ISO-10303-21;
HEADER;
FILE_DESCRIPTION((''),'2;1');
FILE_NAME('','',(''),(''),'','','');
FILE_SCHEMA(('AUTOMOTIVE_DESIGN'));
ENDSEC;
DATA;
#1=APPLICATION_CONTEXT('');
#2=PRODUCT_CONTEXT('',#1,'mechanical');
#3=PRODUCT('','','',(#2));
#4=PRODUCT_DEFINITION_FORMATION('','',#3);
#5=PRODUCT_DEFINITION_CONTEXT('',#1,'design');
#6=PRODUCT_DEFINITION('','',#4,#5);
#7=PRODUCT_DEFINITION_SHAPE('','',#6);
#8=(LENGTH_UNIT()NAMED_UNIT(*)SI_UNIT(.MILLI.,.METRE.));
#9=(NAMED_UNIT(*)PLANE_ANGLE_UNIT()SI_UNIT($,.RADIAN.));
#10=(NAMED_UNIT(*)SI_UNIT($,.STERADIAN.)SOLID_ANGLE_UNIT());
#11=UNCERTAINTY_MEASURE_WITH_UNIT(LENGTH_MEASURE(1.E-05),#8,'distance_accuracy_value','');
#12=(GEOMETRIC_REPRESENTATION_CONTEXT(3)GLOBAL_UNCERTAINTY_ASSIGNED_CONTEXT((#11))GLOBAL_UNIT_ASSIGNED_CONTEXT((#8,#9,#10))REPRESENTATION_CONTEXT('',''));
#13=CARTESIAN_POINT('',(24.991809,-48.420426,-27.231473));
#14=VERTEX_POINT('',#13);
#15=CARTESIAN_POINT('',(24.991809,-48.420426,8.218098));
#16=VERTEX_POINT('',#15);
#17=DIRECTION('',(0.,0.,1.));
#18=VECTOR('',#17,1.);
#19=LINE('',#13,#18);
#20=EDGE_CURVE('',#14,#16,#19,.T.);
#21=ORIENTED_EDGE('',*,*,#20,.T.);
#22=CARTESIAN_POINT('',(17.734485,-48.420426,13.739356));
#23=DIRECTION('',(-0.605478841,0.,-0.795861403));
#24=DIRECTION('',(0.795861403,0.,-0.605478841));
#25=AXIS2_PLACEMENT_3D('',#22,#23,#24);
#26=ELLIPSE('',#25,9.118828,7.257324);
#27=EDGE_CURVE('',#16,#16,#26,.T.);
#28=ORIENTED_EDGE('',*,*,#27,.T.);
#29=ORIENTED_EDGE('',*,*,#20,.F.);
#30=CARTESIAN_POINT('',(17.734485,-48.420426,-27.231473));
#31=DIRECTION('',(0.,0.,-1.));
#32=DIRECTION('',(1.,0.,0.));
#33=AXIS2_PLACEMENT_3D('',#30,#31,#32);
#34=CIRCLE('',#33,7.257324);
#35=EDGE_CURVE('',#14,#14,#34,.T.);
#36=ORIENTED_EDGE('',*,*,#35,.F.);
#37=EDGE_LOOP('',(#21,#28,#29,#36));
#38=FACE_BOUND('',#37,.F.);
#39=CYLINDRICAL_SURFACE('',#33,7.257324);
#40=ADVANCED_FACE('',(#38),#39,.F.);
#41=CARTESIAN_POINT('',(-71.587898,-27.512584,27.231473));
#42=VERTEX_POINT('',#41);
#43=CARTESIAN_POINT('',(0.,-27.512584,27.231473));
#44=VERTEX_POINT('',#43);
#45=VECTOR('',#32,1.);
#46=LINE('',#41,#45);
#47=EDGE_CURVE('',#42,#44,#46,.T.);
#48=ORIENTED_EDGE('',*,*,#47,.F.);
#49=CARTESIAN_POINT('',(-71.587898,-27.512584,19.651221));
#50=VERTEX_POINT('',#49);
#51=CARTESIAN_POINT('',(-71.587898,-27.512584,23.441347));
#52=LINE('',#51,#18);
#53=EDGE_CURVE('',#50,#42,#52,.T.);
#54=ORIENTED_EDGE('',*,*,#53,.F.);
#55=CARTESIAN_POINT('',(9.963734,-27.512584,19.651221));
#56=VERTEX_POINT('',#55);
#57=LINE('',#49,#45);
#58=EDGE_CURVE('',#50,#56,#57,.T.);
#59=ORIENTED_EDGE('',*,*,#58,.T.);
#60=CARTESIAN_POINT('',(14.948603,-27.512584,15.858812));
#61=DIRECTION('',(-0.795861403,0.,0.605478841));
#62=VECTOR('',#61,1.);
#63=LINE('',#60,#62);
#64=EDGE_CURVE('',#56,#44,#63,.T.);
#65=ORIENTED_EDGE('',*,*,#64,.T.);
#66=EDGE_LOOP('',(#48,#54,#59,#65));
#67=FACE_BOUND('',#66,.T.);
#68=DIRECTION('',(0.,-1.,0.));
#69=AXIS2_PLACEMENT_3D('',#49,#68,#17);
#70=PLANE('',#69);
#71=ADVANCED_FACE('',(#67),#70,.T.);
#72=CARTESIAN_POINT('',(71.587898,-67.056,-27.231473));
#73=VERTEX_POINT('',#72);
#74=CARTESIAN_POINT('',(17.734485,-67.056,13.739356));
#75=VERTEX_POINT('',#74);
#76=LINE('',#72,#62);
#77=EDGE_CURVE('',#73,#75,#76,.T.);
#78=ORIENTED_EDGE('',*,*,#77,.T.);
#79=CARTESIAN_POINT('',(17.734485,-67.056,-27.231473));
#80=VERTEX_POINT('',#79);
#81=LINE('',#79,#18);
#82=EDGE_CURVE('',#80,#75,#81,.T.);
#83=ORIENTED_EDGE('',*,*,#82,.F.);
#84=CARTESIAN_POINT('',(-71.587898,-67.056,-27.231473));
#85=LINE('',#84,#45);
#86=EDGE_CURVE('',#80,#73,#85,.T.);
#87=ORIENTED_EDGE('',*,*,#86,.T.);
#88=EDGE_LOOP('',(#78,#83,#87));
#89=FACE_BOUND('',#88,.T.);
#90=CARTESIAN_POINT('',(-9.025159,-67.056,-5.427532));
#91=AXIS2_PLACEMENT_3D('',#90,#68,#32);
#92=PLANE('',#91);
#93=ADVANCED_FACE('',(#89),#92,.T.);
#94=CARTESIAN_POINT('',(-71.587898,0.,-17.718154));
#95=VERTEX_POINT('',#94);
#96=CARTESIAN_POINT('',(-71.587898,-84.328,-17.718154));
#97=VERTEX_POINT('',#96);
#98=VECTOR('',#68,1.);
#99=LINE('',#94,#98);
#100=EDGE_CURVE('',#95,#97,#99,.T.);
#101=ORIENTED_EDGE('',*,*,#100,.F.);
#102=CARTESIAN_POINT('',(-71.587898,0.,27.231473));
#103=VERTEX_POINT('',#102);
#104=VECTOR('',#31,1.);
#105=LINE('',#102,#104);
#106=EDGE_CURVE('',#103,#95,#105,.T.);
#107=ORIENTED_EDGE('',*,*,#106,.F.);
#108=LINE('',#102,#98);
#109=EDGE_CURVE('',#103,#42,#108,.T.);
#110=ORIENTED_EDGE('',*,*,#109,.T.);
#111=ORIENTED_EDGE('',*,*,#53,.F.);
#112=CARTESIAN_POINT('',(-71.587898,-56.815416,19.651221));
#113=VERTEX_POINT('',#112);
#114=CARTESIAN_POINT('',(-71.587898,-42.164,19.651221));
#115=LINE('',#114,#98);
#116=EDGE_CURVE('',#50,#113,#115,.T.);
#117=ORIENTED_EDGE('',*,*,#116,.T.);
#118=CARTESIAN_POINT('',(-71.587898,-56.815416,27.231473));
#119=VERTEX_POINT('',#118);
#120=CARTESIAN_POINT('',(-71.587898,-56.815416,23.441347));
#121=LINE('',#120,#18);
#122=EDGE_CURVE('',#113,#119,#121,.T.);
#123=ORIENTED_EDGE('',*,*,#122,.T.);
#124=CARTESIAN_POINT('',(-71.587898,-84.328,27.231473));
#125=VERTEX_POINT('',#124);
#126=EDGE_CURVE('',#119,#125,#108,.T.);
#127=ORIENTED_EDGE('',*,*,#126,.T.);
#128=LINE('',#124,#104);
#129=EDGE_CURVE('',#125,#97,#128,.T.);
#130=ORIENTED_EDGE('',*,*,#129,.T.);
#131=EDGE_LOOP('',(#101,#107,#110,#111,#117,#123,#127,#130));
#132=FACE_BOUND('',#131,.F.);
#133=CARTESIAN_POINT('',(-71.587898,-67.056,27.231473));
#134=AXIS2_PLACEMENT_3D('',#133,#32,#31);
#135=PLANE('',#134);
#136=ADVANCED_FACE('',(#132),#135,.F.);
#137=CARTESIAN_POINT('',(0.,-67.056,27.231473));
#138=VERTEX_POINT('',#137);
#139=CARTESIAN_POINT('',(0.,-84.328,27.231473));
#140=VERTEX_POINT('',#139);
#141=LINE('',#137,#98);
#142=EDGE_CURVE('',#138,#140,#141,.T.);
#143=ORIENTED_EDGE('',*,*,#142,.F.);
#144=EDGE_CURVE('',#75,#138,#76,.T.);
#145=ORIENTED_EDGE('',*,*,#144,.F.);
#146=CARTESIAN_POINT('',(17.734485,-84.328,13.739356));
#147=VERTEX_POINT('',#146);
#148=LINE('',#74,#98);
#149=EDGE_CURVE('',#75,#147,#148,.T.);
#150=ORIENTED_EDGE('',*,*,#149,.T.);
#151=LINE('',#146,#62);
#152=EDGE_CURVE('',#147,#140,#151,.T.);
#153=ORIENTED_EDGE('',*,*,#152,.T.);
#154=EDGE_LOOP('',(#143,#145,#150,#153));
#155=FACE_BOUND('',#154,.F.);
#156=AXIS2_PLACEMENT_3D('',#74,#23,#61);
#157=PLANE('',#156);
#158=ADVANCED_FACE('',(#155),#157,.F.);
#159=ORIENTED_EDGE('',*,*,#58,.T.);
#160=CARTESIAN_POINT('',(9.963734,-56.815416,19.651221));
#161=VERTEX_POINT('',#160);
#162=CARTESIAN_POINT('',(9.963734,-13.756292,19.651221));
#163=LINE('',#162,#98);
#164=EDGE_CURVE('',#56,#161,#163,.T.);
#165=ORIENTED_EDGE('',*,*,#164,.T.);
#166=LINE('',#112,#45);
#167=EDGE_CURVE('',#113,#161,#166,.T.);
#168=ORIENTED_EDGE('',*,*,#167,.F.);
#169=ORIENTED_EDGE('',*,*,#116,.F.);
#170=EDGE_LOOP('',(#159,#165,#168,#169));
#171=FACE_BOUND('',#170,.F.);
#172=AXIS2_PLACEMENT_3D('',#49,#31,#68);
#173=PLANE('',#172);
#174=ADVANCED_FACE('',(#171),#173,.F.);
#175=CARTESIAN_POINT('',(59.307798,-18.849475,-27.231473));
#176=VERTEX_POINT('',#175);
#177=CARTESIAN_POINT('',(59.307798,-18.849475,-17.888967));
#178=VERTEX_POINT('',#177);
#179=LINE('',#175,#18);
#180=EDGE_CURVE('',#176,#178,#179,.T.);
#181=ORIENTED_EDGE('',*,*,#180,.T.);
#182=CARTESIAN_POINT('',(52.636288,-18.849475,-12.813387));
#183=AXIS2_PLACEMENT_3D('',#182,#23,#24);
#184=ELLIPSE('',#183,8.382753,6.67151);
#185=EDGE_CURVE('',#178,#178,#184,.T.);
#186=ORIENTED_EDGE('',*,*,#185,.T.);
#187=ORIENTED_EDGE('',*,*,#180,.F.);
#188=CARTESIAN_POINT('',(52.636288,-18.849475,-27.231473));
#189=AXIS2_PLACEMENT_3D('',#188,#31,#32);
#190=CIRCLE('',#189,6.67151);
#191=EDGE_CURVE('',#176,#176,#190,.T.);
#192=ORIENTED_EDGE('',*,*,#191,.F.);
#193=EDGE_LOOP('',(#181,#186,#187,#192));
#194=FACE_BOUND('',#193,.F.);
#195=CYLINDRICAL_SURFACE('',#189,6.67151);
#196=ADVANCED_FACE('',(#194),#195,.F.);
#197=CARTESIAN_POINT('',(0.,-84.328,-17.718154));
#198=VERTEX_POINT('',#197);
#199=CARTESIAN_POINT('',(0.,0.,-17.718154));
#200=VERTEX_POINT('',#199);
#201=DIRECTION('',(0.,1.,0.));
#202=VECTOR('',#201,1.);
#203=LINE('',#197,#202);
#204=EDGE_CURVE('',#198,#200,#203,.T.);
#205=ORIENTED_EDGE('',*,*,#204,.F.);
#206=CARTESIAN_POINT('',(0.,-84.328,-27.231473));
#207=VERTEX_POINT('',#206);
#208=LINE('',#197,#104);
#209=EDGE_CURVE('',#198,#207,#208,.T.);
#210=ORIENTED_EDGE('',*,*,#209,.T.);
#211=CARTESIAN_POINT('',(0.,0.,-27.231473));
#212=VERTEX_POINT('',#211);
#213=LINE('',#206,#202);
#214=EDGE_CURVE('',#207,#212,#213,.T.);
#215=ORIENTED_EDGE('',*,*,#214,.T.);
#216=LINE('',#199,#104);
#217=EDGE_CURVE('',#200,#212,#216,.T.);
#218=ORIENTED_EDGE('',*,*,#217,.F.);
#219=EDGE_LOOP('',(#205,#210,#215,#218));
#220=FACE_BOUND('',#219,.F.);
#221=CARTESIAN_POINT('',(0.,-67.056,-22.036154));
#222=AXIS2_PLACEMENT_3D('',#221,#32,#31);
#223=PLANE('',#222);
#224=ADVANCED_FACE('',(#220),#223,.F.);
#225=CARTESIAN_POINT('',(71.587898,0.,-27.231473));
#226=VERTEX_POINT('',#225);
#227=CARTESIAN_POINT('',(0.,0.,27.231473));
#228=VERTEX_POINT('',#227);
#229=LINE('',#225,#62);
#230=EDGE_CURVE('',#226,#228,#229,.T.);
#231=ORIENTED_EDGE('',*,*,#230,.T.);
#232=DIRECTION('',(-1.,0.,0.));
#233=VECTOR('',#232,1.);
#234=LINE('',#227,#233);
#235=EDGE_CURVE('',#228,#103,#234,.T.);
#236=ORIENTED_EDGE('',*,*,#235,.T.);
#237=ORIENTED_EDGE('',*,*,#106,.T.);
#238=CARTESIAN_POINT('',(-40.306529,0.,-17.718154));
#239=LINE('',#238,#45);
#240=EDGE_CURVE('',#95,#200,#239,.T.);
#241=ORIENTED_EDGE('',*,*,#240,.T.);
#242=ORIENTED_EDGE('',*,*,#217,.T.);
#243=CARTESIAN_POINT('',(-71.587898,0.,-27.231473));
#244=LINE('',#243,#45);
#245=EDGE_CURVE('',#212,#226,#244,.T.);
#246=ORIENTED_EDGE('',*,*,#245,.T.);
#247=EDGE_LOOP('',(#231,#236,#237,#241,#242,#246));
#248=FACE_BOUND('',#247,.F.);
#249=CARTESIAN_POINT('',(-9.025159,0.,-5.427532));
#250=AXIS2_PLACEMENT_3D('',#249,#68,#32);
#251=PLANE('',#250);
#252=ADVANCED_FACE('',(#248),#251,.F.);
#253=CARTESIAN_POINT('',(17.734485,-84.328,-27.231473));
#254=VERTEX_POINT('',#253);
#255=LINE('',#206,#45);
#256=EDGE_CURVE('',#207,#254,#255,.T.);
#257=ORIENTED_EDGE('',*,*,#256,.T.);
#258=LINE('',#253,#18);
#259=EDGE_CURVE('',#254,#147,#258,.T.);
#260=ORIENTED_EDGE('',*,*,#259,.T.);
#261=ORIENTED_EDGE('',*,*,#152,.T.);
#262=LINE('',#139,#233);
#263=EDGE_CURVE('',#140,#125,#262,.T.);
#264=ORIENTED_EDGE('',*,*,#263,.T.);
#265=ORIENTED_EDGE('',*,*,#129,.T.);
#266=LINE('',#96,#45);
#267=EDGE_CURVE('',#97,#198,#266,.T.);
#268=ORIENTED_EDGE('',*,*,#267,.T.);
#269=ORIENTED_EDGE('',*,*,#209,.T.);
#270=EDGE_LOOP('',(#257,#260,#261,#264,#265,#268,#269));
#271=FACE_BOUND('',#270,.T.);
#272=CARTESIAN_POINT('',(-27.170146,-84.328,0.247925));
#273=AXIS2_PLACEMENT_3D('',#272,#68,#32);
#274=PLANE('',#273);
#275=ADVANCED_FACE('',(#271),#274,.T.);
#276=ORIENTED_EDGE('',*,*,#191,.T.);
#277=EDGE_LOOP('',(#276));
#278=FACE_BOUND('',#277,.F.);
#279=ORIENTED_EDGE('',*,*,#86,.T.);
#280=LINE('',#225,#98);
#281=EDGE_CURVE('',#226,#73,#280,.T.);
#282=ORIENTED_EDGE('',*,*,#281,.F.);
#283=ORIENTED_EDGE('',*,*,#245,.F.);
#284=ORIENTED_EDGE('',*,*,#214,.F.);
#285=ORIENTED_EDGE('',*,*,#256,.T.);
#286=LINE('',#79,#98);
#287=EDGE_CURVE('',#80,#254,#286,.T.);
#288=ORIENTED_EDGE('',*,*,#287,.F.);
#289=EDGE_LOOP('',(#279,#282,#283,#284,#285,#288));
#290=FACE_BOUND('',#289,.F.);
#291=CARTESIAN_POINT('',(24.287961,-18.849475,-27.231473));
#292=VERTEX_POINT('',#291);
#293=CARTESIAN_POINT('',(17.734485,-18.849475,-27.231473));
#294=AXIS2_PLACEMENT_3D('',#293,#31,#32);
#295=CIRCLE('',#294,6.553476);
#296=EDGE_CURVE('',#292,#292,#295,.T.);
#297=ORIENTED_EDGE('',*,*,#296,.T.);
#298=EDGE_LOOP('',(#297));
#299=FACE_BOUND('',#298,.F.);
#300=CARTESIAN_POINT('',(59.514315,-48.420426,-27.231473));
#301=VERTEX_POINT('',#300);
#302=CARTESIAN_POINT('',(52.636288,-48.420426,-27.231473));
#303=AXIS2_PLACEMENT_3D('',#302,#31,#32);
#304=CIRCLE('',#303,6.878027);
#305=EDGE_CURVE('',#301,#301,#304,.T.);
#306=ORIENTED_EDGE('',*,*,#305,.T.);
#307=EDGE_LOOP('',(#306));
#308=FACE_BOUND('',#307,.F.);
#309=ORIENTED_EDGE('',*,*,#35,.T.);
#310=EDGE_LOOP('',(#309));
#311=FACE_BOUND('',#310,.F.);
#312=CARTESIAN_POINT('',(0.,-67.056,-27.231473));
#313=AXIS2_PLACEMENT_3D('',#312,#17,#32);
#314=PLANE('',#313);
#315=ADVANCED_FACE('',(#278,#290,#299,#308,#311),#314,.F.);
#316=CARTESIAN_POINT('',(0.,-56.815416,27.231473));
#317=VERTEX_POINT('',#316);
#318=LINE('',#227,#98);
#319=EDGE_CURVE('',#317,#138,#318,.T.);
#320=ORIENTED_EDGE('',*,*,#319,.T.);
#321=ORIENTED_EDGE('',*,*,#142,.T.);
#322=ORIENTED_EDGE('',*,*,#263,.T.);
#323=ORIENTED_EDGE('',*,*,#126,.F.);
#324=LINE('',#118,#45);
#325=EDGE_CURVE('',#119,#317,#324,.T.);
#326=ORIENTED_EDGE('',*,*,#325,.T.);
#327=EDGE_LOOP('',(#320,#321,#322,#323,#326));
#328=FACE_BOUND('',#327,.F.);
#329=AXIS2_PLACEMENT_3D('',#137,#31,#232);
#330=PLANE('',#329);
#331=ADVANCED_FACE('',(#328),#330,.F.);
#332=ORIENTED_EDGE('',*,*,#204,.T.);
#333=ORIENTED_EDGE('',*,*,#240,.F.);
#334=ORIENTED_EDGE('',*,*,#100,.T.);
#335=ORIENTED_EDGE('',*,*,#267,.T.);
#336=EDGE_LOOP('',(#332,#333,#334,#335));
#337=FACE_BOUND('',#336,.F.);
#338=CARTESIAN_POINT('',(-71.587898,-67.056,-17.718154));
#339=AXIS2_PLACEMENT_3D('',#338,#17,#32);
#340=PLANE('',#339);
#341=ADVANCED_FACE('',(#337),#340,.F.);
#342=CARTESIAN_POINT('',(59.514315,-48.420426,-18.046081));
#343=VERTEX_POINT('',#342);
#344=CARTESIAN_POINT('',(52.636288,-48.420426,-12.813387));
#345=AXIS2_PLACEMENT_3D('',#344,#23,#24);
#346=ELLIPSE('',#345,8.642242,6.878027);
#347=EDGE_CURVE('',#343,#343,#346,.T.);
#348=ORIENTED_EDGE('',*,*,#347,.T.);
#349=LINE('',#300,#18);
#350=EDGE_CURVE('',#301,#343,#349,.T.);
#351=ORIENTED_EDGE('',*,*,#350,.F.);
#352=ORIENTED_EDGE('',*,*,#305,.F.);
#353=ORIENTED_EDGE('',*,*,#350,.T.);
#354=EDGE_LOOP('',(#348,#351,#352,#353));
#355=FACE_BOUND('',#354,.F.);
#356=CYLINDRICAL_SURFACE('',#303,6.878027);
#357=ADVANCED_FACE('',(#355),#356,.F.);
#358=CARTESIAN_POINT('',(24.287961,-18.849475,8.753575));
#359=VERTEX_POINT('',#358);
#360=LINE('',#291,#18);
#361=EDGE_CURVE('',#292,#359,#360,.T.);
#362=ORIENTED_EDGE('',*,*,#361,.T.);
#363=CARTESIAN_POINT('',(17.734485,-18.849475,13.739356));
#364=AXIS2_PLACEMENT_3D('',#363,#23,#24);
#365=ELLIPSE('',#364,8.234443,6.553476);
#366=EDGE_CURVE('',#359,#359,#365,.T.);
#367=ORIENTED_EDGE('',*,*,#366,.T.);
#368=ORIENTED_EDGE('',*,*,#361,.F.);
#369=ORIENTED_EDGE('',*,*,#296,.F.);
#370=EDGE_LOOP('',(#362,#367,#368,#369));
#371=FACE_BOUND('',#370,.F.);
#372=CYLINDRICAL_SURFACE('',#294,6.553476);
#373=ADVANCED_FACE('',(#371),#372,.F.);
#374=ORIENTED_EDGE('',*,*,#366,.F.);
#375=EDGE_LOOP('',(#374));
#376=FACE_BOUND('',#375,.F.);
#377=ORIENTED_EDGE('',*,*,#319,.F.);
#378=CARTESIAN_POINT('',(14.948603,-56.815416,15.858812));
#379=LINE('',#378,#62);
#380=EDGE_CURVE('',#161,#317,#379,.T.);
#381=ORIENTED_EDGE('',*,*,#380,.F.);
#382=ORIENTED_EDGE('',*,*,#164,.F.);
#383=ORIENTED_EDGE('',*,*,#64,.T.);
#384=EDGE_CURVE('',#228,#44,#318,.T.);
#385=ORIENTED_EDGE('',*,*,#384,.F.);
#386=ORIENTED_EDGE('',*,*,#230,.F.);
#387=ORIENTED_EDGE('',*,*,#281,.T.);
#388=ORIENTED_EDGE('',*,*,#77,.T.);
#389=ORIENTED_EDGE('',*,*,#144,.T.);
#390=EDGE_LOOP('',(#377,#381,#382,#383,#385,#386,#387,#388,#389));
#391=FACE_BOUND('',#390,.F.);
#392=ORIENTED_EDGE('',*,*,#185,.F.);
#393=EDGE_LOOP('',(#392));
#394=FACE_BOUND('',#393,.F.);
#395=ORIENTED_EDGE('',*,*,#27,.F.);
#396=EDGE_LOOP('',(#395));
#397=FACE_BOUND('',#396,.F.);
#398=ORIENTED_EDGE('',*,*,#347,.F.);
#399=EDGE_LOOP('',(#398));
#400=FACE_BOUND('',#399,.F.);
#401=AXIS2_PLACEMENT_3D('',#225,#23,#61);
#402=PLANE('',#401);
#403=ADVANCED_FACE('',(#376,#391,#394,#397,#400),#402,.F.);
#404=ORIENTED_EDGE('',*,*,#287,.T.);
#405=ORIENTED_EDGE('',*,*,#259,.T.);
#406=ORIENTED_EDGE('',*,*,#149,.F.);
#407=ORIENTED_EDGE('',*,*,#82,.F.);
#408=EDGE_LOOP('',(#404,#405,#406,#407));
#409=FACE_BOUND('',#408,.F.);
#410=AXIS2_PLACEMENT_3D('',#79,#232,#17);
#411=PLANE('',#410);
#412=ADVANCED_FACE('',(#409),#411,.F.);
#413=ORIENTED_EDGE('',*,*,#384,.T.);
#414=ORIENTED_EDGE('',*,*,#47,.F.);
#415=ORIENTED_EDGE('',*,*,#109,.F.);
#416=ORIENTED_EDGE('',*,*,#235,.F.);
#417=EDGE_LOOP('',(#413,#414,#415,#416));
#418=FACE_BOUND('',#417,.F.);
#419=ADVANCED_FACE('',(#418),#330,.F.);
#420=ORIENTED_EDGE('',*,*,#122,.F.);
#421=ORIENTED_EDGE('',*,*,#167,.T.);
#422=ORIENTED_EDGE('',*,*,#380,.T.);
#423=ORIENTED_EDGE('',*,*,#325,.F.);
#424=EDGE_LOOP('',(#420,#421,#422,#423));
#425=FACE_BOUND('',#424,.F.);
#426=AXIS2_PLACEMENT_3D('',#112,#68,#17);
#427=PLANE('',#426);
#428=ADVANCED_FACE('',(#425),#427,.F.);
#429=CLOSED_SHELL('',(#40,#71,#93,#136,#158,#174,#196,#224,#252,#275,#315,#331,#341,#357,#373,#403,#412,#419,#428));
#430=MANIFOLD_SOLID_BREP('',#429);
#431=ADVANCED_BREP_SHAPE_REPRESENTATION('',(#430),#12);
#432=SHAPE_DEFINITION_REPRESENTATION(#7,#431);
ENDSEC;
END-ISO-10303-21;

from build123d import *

# Parameters (mm, degrees)
F1_DEPTH = 67.056
F2_W     = 71.5878978372
F2_H     = 5.1953196526
F3_DEPTH = 186.436
F4_DEPTH = 17.272
F5_DEPTH = 4.318
F6_W     = 29.3028312416
F6_H     = 7.5802523643
F7_DEPTH = 176.784
F8_R     = 7.2573235492
F8_R_2   = 6.8780266073
F8_R_3   = 6.6715099214
F8_R_4   = 6.5534755611
F9_DEPTH = 94.742


with BuildPart() as f1:
    # F0 (on Front) → F1 (new body)
    with BuildSketch(Plane.XZ):
        Polygon((71.5878978372, -27.2314734757), (0, 27.2314734757), (-71.5878978372, 27.2314734757), (-71.5878978372, -27.2314734757), align=None)
    extrude(amount=F1_DEPTH)

    # F2 (on face) → F3 (cut)
    with BuildSketch(Plane.XZ.offset(67.056)):
        with Locations((-35.7939489186, -24.6338136494)):
            Rectangle(F2_W, F2_H)
    extrude(amount=-F3_DEPTH, mode=Mode.SUBTRACT)

    # F2 (on face) → F4 (join)
    with BuildSketch(Plane.XZ.offset(67.056)):
        Polygon((17.7344851975, -27.2314734757), (17.7344851975, 13.739356013), (0, 27.2314734757), (-71.5878978372, 27.2314734757), (-71.5878978372, -22.0361538231), (0, -22.0361538231), (0, -27.2314734757), align=None)
    extrude(amount=F4_DEPTH)

    # F5 (cut): a face of the model
    f5_faces = [f1.faces().sort_by_distance(p)[0] for p in [
        (-35.7939489186, -42.164, -22.0361538231),
    ]]
    extrude(f5_faces, amount=-F5_DEPTH, mode=Mode.SUBTRACT)

    # F6 (on face) → F7 (cut)
    with BuildSketch(Plane(origin=(-71.5878978372, 0, 0), x_dir=(0, -1, 0), z_dir=(-1, 0, 0))):
        with Locations((42.164, 23.4413472936)):
            Rectangle(F6_W, F6_H)
    extrude(amount=-F7_DEPTH, mode=Mode.SUBTRACT)

    # F8 (on face) → F9 (cut)
    with BuildSketch(Plane(origin=(0, 0, -27.2314734757), x_dir=(1, 0, 0), z_dir=(0, 0, -1))):
        with Locations((17.7344851975, 48.4204255044)):
            Circle(F8_R)
        with Locations((52.6362881064, 48.4204255044)):
            Circle(F8_R_2)
        with Locations((52.6362881064, 18.8494753093)):
            Circle(F8_R_3)
        with Locations((17.7344851975, 18.8494753093)):
            Circle(F8_R_4)
    extrude(amount=-F9_DEPTH, mode=Mode.SUBTRACT)


solid = f1.part
